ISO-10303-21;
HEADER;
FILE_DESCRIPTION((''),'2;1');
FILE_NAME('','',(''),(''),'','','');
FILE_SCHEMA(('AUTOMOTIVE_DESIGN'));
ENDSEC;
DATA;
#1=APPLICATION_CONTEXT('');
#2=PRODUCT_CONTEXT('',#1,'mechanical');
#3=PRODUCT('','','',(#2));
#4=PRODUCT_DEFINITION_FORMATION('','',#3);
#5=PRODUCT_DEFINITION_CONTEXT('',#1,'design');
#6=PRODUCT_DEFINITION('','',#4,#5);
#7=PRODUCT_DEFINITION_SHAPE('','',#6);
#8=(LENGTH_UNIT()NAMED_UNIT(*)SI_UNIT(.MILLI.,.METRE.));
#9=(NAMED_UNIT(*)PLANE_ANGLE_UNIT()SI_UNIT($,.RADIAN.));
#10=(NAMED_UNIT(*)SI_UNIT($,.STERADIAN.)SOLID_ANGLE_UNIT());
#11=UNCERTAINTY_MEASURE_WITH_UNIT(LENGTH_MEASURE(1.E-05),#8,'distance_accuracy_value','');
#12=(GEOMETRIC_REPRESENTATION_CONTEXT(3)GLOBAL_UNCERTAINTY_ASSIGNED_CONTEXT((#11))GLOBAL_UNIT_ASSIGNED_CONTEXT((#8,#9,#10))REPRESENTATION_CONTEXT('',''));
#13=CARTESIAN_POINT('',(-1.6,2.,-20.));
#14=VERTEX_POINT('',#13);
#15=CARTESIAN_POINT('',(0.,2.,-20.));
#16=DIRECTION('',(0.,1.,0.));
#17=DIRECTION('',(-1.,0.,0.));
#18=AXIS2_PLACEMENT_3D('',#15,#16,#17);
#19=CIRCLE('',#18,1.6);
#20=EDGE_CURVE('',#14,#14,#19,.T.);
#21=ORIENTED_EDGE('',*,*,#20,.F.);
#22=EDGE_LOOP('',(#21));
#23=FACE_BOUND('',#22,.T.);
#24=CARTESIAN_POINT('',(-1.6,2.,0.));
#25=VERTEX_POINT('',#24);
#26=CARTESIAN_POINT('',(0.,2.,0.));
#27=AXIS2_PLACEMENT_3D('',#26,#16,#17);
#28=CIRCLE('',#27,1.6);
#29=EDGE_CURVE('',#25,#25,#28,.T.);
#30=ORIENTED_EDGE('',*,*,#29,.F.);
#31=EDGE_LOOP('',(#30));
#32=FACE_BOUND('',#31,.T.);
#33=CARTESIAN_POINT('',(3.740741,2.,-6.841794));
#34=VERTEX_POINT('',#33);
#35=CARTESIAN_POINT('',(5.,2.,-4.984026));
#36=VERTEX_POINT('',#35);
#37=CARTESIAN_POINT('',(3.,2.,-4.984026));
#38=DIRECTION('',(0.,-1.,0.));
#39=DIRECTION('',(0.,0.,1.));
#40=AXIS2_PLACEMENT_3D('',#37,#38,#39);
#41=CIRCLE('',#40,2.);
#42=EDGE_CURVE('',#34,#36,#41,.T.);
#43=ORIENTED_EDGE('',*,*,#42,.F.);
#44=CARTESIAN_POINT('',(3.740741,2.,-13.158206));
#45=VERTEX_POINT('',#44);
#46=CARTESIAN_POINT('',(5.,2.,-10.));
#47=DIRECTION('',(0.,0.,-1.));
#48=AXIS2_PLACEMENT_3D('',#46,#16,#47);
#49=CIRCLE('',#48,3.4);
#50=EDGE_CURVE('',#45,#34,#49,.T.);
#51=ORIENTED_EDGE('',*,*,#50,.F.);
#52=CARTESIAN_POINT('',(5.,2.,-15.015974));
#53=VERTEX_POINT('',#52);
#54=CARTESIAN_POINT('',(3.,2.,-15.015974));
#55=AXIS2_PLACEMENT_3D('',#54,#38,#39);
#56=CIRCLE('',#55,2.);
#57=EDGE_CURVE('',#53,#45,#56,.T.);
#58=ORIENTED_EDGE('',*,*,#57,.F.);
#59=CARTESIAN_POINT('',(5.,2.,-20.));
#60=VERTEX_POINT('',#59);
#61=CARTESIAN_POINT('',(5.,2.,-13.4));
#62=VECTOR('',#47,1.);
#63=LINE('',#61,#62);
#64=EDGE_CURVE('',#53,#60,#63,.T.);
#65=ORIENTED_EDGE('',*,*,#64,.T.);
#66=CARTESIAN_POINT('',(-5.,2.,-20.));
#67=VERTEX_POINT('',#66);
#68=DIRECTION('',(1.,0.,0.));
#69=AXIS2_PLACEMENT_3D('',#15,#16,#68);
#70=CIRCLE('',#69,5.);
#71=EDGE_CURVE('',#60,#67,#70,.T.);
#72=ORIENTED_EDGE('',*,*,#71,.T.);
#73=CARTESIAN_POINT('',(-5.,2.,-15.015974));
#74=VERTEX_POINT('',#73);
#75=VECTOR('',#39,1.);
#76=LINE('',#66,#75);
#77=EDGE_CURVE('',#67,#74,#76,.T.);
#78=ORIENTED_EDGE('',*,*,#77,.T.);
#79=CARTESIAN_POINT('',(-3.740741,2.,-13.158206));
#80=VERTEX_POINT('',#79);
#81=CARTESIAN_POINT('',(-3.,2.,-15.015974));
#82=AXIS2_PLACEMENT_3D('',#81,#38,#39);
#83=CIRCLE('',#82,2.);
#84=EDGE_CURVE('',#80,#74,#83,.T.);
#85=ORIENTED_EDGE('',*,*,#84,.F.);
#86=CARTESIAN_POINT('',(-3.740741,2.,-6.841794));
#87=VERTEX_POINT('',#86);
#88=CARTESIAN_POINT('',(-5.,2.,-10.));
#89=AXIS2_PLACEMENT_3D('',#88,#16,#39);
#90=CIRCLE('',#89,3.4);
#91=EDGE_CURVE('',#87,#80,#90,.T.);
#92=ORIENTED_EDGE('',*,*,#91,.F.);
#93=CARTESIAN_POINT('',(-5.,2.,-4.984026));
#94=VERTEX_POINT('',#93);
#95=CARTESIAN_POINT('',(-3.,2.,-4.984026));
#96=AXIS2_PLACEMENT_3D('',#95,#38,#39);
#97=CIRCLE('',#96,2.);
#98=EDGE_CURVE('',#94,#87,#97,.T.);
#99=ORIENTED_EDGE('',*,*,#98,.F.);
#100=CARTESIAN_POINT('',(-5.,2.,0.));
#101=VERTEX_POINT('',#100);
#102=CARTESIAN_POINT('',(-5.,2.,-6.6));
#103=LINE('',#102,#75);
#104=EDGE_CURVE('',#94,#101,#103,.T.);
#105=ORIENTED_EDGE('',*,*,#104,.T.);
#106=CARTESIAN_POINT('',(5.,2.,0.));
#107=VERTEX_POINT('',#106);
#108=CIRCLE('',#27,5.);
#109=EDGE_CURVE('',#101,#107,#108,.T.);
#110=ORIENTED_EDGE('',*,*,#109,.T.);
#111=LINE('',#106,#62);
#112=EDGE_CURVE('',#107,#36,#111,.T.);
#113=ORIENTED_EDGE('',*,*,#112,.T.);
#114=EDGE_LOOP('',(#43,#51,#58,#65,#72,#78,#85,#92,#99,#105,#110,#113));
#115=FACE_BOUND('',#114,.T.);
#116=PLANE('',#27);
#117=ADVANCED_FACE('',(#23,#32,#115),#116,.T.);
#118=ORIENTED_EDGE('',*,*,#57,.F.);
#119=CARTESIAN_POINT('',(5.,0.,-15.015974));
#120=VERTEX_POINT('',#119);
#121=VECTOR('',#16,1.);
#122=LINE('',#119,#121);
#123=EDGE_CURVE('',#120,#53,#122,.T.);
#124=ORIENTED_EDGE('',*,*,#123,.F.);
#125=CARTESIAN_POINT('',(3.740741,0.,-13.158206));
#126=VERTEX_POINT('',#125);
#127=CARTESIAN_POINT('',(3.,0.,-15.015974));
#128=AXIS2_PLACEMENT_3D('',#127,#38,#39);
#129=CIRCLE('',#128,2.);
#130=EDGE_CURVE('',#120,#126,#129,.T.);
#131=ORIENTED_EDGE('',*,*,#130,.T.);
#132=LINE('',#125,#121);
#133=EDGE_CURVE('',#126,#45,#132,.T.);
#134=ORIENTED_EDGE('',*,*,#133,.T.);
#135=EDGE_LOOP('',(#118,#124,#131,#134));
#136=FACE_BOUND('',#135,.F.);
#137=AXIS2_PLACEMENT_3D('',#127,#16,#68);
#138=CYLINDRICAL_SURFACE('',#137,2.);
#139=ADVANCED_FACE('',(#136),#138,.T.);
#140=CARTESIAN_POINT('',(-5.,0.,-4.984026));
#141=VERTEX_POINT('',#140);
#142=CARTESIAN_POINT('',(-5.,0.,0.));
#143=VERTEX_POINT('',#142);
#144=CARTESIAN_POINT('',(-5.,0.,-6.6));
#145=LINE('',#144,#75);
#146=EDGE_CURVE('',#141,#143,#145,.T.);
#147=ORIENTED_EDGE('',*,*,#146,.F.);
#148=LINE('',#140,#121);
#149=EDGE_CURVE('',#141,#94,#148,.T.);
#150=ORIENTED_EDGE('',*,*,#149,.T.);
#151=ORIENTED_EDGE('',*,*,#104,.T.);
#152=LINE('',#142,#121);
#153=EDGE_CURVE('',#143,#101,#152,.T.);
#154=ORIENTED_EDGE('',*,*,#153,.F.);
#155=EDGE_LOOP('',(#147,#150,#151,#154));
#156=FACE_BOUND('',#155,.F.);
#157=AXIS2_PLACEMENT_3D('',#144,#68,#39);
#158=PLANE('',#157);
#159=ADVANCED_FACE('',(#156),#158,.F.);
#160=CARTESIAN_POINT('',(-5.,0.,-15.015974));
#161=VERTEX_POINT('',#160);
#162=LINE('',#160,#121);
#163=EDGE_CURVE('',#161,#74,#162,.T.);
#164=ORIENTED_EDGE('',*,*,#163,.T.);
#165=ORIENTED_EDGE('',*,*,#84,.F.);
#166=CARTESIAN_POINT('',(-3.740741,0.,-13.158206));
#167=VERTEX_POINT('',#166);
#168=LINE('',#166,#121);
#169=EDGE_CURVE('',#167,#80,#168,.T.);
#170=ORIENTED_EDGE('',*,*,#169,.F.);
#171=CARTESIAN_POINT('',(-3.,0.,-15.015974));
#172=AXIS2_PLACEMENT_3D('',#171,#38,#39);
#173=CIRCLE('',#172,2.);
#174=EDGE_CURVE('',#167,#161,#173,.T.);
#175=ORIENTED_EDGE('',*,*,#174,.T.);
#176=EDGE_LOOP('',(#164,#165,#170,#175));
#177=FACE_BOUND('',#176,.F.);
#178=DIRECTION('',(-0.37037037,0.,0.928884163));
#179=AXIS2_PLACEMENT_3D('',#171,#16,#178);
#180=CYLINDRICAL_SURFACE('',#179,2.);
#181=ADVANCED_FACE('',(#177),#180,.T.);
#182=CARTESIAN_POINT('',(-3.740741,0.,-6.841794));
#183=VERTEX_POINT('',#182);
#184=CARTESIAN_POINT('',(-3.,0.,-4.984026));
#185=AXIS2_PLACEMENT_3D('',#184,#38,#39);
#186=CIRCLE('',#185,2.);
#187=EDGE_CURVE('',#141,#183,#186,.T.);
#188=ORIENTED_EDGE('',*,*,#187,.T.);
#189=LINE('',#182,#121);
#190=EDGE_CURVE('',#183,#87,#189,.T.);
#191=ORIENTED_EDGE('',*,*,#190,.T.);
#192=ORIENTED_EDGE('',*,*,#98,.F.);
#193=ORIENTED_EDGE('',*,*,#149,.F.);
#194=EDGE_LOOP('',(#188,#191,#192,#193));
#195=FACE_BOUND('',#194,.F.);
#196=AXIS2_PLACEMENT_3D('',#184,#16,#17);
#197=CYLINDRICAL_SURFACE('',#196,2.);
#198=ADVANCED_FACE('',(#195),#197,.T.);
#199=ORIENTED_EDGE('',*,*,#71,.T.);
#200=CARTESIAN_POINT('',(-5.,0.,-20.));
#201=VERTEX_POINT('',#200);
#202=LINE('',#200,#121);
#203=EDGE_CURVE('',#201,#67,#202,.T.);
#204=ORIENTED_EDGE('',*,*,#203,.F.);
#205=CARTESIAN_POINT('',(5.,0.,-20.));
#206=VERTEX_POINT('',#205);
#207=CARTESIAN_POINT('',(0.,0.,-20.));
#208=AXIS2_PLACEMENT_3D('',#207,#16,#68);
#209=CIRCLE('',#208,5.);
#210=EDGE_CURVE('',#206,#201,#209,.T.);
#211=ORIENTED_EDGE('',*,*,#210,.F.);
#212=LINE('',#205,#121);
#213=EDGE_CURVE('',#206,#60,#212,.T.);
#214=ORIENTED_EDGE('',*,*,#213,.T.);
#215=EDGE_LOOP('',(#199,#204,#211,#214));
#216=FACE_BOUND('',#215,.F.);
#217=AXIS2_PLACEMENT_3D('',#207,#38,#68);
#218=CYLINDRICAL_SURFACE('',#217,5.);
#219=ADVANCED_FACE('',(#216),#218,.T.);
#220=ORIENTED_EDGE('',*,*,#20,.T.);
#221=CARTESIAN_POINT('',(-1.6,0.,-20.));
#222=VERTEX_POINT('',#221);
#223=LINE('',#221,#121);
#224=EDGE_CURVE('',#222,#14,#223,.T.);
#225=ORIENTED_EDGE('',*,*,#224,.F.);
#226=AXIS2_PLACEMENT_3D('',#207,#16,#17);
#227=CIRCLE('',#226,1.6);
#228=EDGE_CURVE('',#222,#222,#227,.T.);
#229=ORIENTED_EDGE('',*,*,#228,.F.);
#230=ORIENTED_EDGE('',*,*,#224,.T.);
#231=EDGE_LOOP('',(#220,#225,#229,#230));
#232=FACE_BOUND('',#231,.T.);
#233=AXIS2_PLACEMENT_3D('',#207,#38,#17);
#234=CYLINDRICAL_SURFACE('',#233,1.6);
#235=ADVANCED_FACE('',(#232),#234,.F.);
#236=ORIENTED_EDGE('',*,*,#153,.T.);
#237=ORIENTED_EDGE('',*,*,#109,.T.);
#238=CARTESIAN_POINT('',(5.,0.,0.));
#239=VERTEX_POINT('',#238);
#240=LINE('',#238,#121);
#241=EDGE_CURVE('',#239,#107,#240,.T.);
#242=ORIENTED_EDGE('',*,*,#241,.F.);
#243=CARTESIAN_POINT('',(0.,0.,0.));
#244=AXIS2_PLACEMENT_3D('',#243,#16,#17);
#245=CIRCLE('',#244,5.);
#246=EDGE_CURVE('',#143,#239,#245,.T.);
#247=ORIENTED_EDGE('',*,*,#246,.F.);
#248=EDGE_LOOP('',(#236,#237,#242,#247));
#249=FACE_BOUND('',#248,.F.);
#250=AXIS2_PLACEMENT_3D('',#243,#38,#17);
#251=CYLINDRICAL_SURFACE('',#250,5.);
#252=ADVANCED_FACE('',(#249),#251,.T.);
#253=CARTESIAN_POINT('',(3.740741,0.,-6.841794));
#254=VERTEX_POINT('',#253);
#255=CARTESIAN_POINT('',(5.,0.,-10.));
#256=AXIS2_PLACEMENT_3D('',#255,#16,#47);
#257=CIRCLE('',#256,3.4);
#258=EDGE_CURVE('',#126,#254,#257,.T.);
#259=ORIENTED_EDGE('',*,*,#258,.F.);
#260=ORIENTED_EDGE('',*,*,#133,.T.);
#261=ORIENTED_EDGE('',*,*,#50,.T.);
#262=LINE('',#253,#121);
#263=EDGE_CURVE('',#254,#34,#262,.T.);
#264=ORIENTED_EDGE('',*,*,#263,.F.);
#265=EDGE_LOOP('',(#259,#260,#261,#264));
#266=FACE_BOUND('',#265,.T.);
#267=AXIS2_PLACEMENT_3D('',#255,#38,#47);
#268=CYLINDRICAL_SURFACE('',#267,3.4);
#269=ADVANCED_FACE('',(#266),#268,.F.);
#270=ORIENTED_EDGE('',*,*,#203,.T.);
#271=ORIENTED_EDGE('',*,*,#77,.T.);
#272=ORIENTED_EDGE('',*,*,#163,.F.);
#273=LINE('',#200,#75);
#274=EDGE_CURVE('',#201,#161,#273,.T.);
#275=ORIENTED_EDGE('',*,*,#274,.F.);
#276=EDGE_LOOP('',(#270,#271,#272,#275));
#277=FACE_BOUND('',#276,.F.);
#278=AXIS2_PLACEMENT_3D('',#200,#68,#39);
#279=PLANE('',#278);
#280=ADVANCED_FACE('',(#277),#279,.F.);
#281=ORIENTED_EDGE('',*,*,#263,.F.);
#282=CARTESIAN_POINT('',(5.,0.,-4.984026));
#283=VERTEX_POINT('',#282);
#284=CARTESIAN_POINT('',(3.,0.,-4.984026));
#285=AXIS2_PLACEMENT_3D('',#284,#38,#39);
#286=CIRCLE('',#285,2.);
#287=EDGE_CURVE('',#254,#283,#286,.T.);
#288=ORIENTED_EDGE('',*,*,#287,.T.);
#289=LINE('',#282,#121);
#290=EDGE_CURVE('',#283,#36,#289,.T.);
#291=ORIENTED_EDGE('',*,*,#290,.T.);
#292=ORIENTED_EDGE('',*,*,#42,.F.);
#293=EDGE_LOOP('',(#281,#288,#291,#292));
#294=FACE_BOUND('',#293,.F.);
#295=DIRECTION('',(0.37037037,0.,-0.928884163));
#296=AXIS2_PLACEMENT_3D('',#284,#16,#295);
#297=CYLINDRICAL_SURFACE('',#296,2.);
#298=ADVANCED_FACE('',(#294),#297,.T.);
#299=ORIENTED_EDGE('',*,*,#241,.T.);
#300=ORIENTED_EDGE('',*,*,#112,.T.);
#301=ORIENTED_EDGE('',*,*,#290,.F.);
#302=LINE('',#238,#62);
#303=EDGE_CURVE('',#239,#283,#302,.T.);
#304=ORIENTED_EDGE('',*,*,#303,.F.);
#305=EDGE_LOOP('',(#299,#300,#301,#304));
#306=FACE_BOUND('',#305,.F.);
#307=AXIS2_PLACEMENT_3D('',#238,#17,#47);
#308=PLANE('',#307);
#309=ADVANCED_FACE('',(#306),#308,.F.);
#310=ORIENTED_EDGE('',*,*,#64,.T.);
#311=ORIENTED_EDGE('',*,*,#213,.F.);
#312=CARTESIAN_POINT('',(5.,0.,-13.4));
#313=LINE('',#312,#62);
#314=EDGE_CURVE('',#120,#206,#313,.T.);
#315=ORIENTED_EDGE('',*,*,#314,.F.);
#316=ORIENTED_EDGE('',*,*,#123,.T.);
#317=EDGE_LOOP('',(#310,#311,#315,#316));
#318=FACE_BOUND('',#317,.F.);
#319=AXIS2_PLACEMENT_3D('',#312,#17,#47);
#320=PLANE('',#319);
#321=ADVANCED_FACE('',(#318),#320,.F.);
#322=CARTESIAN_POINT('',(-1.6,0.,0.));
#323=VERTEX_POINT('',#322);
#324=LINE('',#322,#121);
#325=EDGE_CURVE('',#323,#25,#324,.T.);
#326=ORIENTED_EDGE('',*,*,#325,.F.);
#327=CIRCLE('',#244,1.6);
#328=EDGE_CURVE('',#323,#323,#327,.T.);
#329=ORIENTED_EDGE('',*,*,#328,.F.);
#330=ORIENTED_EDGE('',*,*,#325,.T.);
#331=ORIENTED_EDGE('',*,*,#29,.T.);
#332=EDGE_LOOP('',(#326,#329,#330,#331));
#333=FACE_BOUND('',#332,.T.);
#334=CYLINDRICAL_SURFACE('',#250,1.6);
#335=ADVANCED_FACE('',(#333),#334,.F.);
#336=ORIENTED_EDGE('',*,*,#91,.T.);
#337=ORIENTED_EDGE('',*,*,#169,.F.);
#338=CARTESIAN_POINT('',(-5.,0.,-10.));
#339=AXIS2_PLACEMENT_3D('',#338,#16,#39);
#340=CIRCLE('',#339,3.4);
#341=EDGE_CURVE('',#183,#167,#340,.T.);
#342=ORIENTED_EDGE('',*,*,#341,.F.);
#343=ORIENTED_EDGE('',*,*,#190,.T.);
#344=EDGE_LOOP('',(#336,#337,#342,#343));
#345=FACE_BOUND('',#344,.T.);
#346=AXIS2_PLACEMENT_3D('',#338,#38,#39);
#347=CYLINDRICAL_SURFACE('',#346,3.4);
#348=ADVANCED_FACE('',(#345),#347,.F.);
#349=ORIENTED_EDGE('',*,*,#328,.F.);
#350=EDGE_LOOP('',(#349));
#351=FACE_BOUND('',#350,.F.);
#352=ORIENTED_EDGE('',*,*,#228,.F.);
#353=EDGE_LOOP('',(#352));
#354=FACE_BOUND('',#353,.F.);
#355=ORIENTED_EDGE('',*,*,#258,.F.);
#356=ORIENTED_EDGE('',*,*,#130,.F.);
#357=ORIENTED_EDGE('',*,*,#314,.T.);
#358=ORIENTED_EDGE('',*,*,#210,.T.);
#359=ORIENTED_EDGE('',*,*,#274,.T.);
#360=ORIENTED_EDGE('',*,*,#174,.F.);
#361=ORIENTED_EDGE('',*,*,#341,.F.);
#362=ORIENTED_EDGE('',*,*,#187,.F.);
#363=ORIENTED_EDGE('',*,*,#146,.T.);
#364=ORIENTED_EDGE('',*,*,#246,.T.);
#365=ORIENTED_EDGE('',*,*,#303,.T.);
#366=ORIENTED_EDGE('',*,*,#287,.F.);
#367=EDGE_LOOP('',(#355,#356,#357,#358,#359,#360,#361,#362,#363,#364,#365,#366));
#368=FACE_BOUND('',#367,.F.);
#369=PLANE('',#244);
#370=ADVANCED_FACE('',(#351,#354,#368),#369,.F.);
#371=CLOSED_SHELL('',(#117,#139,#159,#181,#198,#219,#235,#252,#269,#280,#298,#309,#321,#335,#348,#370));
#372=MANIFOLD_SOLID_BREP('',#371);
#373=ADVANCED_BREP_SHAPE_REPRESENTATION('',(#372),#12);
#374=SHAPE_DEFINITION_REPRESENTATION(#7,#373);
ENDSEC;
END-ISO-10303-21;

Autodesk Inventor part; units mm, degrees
ref_plane "YZ Plane" through (0, 0, 0) normal (1, 0, 0) x (0, 1, 0)
ref_plane "XZ Plane" through (0, 0, 0) normal (0, 1, 0) x (-1, 0, 0)
ref_plane "XY Plane" through (0, 0, 0) normal (0, 0, 1) x (1, 0, 0)
sketch "Sketch1" plane through (0, 0, 0) normal (0, 1, 0) x (-1, 0, 0)
  circle A0 centre (0, 0) radius 1.6
  circle A1 centre (0, -20) radius 1.6
  line L0 (0, 0) -> (0, -20) construction
  arc A2 (5, 0) -> (-5, 0) centre (0, 0) ccw
  arc A3 (-5, -20) -> (5, -20) centre (0, -20) ccw
  arc A4 (-5, -13.4) -> (-5, -6.6) centre (-5, -10) ccw
  arc A5 (5, -6.6) -> (5, -13.4) centre (5, -10) ccw
  line L1 (5, -20) -> (5, -13.4)
  line L2 (5, -6.6) -> (5, 0)
  line L3 (-5, 0) -> (-5, -6.6)
  line L4 (-5, -13.4) -> (-5, -20)
  point P0 (0, -10)
  dimension "d0" = 3.2
  dimension "d1" = 3.2
  dimension "d2" = 20
extrude "Extrusion1" add sketch "Sketch1" along normal blind 2
fillet "Fillet1" radius 2 4 edges at (5, 1, -6.6) (5, 1, -13.4) (-5, 1, -6.6) (-5, 1, -13.4)
properties part number "Fix Konektor Casis Kecil_3DPrint"
